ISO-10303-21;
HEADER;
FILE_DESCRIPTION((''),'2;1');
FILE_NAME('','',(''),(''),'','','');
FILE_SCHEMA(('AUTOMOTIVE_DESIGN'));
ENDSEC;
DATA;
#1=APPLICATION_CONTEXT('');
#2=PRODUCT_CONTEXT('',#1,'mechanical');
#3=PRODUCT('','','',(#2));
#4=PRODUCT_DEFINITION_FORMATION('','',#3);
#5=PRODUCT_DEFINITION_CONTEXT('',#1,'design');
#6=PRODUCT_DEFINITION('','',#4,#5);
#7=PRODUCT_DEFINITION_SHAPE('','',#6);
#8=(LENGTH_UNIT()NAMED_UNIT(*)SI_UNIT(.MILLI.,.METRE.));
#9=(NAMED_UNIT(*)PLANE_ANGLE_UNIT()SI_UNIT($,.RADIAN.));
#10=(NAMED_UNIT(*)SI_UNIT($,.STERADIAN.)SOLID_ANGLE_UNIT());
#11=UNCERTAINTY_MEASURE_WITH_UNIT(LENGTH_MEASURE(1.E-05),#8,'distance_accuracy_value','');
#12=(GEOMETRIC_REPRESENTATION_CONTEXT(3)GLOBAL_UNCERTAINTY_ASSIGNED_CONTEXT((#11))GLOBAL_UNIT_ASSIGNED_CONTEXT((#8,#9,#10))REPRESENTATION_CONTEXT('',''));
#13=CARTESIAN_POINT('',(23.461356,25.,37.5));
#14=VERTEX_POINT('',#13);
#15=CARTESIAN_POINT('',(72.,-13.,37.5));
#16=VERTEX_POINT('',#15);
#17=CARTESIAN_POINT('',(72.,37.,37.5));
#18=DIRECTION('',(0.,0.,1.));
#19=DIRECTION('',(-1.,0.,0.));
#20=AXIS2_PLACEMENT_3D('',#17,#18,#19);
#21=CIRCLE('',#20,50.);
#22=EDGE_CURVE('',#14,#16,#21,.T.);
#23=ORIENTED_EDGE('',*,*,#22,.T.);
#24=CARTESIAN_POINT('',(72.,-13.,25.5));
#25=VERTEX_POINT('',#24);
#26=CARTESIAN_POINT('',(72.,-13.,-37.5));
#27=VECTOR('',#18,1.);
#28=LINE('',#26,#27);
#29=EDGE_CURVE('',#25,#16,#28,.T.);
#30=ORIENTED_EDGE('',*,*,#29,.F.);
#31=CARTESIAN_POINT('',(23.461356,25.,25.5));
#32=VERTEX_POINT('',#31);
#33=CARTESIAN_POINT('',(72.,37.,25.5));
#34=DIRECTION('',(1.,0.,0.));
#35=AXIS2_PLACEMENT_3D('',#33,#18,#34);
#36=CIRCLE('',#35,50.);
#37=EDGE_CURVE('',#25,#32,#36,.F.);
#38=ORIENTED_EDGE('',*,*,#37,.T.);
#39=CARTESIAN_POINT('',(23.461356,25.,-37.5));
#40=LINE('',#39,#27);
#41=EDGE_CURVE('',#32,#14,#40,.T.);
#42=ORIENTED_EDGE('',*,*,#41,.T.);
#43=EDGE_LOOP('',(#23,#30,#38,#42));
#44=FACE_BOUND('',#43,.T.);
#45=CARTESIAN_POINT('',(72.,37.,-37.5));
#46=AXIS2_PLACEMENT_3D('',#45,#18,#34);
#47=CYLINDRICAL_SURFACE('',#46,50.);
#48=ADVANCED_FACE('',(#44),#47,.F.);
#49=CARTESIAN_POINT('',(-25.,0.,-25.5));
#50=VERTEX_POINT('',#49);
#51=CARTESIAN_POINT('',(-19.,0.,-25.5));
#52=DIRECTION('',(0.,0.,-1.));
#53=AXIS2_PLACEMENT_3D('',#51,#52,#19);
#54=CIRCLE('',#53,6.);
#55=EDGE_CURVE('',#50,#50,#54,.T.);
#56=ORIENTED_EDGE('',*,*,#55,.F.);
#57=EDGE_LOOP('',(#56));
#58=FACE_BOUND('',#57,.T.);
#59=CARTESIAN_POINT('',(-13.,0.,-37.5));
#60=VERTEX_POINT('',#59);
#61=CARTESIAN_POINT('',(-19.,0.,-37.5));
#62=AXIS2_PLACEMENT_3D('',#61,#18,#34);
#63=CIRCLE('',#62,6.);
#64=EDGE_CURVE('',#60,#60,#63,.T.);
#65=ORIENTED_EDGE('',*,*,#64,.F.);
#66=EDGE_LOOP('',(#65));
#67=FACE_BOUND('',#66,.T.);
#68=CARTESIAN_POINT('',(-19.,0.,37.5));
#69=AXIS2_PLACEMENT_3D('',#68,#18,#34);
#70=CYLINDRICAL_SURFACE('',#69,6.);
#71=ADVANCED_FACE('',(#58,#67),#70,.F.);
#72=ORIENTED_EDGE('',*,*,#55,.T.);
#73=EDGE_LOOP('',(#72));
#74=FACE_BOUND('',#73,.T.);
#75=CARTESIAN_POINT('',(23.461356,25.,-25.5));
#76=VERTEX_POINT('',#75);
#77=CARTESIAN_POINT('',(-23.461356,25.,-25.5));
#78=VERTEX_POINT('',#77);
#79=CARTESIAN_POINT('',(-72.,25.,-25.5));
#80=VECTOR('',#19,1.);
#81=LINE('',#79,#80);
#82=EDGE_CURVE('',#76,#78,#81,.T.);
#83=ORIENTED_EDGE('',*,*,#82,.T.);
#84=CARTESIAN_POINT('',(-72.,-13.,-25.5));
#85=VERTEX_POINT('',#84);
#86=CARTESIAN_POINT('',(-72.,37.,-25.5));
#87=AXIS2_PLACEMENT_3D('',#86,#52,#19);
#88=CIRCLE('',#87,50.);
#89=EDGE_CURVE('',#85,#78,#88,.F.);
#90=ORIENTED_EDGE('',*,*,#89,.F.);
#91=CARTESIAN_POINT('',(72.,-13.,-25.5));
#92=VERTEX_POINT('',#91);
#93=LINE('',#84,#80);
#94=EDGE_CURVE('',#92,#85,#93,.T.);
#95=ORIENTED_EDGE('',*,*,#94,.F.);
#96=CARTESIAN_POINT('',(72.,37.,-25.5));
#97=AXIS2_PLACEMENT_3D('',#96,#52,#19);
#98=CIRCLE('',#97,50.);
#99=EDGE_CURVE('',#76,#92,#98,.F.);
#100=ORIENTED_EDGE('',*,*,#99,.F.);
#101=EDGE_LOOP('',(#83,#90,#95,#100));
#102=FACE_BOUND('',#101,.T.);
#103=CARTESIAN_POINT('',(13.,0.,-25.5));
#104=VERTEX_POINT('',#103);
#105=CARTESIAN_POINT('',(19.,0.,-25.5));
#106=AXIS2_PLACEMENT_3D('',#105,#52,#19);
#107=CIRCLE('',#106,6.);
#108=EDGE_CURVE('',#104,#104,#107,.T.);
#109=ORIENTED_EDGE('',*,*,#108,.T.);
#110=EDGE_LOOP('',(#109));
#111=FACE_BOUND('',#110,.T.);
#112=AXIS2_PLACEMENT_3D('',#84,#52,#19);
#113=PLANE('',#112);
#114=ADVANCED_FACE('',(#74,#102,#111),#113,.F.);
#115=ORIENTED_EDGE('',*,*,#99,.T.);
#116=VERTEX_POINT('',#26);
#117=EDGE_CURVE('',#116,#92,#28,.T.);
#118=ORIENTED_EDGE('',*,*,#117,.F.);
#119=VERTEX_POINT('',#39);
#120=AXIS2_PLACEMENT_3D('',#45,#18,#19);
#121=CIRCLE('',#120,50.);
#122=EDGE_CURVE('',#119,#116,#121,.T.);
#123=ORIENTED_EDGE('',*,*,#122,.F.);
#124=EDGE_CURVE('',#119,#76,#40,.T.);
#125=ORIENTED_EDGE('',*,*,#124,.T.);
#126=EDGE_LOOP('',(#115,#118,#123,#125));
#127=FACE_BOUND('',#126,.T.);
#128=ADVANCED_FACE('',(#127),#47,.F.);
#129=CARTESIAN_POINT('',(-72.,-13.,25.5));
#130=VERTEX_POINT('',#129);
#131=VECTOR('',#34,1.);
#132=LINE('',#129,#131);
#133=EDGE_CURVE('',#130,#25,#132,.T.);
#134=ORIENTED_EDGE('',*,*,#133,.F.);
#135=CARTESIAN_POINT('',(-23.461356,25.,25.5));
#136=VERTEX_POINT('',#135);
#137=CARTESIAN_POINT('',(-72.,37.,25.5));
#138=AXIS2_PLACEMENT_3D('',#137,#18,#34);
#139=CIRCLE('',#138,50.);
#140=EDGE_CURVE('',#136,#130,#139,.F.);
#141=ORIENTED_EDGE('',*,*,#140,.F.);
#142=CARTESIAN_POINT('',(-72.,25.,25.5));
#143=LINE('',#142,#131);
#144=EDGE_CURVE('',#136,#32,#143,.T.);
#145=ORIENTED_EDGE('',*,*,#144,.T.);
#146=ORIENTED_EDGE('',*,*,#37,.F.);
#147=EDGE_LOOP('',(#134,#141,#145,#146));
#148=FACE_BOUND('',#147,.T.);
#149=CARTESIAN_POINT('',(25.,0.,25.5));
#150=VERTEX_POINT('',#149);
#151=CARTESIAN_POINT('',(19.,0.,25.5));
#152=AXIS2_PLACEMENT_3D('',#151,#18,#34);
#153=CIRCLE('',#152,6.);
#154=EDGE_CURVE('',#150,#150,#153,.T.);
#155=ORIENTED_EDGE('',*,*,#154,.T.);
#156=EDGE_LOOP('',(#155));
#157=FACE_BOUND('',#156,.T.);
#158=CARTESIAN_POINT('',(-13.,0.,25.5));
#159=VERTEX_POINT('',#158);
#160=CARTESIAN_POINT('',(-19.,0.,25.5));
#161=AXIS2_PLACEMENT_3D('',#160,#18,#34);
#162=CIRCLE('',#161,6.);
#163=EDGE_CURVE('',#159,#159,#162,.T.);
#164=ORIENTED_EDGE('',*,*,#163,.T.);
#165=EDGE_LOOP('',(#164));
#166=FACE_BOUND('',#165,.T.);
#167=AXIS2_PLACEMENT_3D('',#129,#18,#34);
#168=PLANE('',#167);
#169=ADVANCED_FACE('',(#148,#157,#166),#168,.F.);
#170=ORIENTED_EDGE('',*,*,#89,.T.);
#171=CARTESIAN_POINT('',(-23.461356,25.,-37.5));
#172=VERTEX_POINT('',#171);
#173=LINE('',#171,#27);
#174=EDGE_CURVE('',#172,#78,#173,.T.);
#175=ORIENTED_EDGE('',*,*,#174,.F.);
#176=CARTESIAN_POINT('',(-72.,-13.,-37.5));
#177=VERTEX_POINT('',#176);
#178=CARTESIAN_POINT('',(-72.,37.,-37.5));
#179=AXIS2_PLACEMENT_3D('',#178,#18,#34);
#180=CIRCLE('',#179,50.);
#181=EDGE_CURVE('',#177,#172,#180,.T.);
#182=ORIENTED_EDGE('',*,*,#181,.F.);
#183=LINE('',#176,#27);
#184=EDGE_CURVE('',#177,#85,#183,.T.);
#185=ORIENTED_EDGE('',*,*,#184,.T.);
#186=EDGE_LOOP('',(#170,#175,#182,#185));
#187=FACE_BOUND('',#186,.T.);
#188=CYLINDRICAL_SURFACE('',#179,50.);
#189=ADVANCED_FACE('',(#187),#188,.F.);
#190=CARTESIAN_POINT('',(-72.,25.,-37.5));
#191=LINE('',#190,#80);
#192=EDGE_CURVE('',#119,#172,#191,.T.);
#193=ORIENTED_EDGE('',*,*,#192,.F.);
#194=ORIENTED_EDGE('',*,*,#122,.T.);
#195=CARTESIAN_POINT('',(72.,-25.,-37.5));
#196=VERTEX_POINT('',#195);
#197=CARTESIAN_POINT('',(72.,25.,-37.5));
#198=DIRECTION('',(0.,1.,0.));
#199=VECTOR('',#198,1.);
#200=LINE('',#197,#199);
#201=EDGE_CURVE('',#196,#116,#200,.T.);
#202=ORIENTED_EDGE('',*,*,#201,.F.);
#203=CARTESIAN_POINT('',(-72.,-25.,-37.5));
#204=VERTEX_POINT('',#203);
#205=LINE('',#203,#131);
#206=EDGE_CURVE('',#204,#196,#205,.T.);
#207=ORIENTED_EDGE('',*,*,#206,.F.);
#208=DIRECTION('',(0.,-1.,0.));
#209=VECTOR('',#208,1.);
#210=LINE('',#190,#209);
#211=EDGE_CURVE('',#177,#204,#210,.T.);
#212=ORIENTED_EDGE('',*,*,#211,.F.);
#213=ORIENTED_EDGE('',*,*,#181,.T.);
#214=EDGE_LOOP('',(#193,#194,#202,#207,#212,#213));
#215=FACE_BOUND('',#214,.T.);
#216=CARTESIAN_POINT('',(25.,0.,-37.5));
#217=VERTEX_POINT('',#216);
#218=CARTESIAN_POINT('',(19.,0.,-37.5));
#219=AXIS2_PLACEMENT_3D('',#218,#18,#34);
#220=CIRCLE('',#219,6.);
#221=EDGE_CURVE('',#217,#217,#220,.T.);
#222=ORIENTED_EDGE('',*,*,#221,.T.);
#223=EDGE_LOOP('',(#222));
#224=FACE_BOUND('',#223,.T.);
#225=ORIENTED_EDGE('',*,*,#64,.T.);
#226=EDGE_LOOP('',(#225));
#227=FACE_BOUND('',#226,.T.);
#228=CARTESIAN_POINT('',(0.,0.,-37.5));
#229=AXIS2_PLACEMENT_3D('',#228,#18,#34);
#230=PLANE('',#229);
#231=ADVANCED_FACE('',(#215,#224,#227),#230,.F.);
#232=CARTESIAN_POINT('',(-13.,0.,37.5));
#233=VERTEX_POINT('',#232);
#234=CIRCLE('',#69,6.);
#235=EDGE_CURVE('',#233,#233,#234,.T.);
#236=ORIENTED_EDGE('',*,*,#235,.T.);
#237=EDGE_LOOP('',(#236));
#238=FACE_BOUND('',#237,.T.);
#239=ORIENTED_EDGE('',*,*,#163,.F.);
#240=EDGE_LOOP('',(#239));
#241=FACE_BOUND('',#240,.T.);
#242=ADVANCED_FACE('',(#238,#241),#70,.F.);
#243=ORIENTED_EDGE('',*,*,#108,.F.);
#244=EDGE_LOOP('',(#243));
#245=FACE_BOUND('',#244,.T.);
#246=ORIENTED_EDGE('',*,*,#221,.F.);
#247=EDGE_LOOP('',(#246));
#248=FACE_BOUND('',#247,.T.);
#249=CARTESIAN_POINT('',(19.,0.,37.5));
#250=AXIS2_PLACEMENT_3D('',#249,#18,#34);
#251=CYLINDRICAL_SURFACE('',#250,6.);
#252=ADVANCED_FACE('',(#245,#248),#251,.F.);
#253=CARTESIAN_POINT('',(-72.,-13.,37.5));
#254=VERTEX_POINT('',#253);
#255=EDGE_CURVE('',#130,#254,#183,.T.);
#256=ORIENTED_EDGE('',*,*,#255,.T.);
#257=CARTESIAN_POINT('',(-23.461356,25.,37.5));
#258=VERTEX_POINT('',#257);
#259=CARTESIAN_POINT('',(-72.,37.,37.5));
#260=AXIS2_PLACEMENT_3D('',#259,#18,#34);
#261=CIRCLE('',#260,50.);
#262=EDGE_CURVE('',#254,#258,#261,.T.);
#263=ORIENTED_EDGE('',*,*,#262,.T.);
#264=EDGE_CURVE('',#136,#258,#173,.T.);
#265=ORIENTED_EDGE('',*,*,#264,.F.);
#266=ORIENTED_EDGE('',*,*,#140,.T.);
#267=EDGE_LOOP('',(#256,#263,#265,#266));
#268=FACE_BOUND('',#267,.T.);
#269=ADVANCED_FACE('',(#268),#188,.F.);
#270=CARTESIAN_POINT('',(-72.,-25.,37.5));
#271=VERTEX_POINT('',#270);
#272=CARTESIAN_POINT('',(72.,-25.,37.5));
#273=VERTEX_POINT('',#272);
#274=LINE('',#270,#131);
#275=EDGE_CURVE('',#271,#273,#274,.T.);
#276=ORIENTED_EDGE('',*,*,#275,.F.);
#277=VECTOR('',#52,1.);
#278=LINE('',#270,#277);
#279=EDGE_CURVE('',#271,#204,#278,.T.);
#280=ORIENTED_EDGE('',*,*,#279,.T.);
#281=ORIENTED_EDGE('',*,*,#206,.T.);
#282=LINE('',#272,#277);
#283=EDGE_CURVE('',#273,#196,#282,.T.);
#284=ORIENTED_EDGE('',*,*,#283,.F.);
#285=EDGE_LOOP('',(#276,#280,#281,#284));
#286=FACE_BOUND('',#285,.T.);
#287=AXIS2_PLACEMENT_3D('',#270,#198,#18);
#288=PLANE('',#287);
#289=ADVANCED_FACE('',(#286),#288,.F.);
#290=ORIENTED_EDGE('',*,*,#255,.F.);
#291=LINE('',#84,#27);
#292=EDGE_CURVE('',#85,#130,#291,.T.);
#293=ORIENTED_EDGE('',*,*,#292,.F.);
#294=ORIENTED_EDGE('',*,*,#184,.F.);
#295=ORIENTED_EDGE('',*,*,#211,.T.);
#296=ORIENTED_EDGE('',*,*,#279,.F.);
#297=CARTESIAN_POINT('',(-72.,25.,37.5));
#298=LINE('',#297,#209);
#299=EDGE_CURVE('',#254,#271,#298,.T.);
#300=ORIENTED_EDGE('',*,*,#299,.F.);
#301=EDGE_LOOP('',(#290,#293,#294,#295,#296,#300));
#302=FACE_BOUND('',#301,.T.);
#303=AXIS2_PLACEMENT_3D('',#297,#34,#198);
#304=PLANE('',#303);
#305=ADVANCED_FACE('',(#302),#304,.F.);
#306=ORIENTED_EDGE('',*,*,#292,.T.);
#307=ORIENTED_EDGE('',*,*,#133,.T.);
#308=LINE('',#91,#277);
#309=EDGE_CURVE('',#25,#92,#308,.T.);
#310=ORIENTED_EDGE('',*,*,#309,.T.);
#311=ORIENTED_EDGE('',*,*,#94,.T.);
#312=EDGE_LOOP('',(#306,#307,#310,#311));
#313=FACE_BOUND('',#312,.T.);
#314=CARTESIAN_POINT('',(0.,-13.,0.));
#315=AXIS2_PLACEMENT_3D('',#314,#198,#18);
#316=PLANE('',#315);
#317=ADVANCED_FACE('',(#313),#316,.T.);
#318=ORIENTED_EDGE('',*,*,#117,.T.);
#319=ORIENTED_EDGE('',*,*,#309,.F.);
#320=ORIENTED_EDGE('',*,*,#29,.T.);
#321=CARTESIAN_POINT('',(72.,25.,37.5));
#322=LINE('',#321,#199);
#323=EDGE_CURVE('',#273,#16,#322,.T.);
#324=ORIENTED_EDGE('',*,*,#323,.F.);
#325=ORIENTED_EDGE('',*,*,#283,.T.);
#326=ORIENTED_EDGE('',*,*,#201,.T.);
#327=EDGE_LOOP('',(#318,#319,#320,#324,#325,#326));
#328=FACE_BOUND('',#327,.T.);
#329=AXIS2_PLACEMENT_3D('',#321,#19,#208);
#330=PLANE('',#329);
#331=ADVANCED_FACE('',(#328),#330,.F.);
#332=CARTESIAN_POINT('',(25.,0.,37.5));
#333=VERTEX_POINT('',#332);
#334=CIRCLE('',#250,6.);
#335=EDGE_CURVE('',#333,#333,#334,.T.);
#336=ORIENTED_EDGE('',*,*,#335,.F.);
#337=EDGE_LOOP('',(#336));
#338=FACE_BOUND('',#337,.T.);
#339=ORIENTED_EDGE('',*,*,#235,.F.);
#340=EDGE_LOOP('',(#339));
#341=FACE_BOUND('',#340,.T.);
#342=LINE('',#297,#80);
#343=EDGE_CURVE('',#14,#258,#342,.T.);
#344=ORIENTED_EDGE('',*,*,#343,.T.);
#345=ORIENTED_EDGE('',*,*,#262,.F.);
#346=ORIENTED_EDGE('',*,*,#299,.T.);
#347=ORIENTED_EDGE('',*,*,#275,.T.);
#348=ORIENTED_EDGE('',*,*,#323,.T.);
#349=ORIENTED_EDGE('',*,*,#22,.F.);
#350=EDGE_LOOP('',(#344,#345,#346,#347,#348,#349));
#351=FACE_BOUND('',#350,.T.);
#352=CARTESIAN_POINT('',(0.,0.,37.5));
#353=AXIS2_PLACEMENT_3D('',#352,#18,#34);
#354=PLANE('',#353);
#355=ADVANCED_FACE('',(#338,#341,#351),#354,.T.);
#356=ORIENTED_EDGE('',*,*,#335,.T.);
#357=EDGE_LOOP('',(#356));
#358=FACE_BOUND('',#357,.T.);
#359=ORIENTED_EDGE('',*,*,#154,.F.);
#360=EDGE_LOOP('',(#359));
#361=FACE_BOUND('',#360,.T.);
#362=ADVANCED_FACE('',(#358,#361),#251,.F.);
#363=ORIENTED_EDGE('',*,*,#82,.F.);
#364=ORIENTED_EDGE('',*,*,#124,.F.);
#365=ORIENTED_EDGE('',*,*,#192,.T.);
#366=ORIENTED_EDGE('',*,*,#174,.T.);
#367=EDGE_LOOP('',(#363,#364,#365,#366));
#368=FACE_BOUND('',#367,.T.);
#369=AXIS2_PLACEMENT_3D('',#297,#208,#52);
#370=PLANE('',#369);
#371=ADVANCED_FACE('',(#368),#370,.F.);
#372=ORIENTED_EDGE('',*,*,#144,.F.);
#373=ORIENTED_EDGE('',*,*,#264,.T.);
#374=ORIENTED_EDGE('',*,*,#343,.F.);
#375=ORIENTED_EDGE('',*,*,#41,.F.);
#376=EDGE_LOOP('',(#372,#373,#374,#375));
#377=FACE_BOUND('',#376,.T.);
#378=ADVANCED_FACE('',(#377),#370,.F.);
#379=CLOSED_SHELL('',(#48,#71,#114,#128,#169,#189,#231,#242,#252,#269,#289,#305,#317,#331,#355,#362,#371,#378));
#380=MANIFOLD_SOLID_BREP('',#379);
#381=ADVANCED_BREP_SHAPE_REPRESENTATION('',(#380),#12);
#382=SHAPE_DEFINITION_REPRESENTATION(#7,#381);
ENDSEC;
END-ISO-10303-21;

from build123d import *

# Parameters (mm, degrees)
SKETCH1_W           = 144
SKETCH1_H           = 50
BOSS_EXTRUDE1_DEPTH = 37.5
CUT_EXTRUDE1_DEPTH  = 75
SKETCH3_W           = 144
SKETCH3_H           = 51
CUT_EXTRUDE2_DEPTH  = 38
HOLE1_D             = 12


with BuildPart() as part:
    # Sketch1 → Boss-Extrude1 (new, symmetric)
    with BuildSketch(Plane.XY):
        Rectangle(SKETCH1_W, SKETCH1_H)
    extrude(amount=BOSS_EXTRUDE1_DEPTH, both=True)

    # Sketch2 → Cut-Extrude1 (cut)
    with BuildSketch(Plane.XY.offset(37.5)):
        with BuildLine():
            Line((-23.461355602, 25), (-72, 25))
            Line((-72, 25), (-72, -13))
            ThreePointArc((-72, -13), (-41.177929985, -2.37003937), (-23.461355602, 25))
        make_face()
        with BuildLine():
            Line((72, 25), (72, -13))
            ThreePointArc((72, -13), (41.177929985, -2.37003937), (23.461355602, 25))
            Line((23.461355602, 25), (72, 25))
        make_face()
    extrude(amount=-CUT_EXTRUDE1_DEPTH, mode=Mode.SUBTRACT)

    # Sketch3 → Cut-Extrude2 (cut)
    with BuildSketch(Plane(origin=(0, 25, 0), x_dir=(1, 0, 0), z_dir=(0, 1, 0))):
        Rectangle(SKETCH3_W, SKETCH3_H)
    extrude(amount=-CUT_EXTRUDE2_DEPTH, mode=Mode.SUBTRACT)

    # Hole1 (through all)
    with Locations(Plane.XY.offset(37.5)):
        with Locations((19, 0), (-19, 0)):
            Hole(HOLE1_D / 2)


solid = part.part
